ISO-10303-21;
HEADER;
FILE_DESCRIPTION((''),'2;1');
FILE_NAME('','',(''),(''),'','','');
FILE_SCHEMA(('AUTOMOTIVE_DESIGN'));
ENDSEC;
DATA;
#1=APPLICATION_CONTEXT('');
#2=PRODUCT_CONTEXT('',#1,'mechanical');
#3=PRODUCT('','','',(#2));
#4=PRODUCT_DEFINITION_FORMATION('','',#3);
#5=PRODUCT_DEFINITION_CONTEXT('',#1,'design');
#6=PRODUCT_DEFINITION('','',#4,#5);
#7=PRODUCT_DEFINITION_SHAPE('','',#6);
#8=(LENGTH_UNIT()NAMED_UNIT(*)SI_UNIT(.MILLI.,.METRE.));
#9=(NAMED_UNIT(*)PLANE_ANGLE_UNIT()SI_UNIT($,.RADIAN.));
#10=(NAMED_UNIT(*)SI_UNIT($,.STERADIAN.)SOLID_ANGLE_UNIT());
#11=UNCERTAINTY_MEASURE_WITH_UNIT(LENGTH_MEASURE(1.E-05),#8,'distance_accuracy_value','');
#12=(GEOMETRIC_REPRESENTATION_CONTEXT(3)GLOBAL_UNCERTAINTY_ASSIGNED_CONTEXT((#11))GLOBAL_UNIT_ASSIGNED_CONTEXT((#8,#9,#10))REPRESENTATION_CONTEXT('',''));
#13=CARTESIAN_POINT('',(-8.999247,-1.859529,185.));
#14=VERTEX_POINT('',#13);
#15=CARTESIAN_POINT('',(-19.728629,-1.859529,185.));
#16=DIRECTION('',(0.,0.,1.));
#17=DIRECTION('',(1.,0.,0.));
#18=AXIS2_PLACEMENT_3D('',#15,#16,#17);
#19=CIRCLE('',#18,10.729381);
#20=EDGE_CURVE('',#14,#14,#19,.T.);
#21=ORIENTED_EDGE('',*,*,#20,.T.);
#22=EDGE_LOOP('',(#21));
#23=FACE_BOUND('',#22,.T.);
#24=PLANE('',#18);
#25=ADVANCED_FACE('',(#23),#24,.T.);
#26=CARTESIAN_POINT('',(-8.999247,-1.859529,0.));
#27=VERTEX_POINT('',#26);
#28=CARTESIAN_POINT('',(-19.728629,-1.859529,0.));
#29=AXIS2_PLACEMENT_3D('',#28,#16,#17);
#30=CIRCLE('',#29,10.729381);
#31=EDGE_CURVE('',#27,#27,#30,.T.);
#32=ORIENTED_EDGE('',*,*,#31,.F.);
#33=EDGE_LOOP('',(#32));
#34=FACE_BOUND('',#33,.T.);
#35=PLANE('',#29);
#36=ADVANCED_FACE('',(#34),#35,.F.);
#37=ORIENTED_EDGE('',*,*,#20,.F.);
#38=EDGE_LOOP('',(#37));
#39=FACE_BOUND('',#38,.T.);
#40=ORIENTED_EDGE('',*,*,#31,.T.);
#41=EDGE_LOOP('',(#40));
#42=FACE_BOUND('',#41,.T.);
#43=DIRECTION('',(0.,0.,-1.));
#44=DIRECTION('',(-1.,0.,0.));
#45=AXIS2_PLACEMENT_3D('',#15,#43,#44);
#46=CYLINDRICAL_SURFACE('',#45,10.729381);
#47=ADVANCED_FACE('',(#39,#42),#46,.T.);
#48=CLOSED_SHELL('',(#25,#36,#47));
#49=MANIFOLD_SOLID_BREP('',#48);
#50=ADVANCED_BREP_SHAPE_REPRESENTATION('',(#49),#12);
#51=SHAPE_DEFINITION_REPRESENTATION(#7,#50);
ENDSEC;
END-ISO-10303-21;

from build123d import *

# Parameters (mm, degrees)
SKETCH_1_R      = 10.729381299
EXTRUDE_1_DEPTH = 185


with BuildPart() as part:
    # Эскиз1 → Бобышка-Вытянуть1 (new body)
    with BuildSketch(Plane.XY):
        with Locations((-19.7286285, -1.859528572)):
            Circle(SKETCH_1_R)
    extrude(amount=EXTRUDE_1_DEPTH)


solid = part.part
